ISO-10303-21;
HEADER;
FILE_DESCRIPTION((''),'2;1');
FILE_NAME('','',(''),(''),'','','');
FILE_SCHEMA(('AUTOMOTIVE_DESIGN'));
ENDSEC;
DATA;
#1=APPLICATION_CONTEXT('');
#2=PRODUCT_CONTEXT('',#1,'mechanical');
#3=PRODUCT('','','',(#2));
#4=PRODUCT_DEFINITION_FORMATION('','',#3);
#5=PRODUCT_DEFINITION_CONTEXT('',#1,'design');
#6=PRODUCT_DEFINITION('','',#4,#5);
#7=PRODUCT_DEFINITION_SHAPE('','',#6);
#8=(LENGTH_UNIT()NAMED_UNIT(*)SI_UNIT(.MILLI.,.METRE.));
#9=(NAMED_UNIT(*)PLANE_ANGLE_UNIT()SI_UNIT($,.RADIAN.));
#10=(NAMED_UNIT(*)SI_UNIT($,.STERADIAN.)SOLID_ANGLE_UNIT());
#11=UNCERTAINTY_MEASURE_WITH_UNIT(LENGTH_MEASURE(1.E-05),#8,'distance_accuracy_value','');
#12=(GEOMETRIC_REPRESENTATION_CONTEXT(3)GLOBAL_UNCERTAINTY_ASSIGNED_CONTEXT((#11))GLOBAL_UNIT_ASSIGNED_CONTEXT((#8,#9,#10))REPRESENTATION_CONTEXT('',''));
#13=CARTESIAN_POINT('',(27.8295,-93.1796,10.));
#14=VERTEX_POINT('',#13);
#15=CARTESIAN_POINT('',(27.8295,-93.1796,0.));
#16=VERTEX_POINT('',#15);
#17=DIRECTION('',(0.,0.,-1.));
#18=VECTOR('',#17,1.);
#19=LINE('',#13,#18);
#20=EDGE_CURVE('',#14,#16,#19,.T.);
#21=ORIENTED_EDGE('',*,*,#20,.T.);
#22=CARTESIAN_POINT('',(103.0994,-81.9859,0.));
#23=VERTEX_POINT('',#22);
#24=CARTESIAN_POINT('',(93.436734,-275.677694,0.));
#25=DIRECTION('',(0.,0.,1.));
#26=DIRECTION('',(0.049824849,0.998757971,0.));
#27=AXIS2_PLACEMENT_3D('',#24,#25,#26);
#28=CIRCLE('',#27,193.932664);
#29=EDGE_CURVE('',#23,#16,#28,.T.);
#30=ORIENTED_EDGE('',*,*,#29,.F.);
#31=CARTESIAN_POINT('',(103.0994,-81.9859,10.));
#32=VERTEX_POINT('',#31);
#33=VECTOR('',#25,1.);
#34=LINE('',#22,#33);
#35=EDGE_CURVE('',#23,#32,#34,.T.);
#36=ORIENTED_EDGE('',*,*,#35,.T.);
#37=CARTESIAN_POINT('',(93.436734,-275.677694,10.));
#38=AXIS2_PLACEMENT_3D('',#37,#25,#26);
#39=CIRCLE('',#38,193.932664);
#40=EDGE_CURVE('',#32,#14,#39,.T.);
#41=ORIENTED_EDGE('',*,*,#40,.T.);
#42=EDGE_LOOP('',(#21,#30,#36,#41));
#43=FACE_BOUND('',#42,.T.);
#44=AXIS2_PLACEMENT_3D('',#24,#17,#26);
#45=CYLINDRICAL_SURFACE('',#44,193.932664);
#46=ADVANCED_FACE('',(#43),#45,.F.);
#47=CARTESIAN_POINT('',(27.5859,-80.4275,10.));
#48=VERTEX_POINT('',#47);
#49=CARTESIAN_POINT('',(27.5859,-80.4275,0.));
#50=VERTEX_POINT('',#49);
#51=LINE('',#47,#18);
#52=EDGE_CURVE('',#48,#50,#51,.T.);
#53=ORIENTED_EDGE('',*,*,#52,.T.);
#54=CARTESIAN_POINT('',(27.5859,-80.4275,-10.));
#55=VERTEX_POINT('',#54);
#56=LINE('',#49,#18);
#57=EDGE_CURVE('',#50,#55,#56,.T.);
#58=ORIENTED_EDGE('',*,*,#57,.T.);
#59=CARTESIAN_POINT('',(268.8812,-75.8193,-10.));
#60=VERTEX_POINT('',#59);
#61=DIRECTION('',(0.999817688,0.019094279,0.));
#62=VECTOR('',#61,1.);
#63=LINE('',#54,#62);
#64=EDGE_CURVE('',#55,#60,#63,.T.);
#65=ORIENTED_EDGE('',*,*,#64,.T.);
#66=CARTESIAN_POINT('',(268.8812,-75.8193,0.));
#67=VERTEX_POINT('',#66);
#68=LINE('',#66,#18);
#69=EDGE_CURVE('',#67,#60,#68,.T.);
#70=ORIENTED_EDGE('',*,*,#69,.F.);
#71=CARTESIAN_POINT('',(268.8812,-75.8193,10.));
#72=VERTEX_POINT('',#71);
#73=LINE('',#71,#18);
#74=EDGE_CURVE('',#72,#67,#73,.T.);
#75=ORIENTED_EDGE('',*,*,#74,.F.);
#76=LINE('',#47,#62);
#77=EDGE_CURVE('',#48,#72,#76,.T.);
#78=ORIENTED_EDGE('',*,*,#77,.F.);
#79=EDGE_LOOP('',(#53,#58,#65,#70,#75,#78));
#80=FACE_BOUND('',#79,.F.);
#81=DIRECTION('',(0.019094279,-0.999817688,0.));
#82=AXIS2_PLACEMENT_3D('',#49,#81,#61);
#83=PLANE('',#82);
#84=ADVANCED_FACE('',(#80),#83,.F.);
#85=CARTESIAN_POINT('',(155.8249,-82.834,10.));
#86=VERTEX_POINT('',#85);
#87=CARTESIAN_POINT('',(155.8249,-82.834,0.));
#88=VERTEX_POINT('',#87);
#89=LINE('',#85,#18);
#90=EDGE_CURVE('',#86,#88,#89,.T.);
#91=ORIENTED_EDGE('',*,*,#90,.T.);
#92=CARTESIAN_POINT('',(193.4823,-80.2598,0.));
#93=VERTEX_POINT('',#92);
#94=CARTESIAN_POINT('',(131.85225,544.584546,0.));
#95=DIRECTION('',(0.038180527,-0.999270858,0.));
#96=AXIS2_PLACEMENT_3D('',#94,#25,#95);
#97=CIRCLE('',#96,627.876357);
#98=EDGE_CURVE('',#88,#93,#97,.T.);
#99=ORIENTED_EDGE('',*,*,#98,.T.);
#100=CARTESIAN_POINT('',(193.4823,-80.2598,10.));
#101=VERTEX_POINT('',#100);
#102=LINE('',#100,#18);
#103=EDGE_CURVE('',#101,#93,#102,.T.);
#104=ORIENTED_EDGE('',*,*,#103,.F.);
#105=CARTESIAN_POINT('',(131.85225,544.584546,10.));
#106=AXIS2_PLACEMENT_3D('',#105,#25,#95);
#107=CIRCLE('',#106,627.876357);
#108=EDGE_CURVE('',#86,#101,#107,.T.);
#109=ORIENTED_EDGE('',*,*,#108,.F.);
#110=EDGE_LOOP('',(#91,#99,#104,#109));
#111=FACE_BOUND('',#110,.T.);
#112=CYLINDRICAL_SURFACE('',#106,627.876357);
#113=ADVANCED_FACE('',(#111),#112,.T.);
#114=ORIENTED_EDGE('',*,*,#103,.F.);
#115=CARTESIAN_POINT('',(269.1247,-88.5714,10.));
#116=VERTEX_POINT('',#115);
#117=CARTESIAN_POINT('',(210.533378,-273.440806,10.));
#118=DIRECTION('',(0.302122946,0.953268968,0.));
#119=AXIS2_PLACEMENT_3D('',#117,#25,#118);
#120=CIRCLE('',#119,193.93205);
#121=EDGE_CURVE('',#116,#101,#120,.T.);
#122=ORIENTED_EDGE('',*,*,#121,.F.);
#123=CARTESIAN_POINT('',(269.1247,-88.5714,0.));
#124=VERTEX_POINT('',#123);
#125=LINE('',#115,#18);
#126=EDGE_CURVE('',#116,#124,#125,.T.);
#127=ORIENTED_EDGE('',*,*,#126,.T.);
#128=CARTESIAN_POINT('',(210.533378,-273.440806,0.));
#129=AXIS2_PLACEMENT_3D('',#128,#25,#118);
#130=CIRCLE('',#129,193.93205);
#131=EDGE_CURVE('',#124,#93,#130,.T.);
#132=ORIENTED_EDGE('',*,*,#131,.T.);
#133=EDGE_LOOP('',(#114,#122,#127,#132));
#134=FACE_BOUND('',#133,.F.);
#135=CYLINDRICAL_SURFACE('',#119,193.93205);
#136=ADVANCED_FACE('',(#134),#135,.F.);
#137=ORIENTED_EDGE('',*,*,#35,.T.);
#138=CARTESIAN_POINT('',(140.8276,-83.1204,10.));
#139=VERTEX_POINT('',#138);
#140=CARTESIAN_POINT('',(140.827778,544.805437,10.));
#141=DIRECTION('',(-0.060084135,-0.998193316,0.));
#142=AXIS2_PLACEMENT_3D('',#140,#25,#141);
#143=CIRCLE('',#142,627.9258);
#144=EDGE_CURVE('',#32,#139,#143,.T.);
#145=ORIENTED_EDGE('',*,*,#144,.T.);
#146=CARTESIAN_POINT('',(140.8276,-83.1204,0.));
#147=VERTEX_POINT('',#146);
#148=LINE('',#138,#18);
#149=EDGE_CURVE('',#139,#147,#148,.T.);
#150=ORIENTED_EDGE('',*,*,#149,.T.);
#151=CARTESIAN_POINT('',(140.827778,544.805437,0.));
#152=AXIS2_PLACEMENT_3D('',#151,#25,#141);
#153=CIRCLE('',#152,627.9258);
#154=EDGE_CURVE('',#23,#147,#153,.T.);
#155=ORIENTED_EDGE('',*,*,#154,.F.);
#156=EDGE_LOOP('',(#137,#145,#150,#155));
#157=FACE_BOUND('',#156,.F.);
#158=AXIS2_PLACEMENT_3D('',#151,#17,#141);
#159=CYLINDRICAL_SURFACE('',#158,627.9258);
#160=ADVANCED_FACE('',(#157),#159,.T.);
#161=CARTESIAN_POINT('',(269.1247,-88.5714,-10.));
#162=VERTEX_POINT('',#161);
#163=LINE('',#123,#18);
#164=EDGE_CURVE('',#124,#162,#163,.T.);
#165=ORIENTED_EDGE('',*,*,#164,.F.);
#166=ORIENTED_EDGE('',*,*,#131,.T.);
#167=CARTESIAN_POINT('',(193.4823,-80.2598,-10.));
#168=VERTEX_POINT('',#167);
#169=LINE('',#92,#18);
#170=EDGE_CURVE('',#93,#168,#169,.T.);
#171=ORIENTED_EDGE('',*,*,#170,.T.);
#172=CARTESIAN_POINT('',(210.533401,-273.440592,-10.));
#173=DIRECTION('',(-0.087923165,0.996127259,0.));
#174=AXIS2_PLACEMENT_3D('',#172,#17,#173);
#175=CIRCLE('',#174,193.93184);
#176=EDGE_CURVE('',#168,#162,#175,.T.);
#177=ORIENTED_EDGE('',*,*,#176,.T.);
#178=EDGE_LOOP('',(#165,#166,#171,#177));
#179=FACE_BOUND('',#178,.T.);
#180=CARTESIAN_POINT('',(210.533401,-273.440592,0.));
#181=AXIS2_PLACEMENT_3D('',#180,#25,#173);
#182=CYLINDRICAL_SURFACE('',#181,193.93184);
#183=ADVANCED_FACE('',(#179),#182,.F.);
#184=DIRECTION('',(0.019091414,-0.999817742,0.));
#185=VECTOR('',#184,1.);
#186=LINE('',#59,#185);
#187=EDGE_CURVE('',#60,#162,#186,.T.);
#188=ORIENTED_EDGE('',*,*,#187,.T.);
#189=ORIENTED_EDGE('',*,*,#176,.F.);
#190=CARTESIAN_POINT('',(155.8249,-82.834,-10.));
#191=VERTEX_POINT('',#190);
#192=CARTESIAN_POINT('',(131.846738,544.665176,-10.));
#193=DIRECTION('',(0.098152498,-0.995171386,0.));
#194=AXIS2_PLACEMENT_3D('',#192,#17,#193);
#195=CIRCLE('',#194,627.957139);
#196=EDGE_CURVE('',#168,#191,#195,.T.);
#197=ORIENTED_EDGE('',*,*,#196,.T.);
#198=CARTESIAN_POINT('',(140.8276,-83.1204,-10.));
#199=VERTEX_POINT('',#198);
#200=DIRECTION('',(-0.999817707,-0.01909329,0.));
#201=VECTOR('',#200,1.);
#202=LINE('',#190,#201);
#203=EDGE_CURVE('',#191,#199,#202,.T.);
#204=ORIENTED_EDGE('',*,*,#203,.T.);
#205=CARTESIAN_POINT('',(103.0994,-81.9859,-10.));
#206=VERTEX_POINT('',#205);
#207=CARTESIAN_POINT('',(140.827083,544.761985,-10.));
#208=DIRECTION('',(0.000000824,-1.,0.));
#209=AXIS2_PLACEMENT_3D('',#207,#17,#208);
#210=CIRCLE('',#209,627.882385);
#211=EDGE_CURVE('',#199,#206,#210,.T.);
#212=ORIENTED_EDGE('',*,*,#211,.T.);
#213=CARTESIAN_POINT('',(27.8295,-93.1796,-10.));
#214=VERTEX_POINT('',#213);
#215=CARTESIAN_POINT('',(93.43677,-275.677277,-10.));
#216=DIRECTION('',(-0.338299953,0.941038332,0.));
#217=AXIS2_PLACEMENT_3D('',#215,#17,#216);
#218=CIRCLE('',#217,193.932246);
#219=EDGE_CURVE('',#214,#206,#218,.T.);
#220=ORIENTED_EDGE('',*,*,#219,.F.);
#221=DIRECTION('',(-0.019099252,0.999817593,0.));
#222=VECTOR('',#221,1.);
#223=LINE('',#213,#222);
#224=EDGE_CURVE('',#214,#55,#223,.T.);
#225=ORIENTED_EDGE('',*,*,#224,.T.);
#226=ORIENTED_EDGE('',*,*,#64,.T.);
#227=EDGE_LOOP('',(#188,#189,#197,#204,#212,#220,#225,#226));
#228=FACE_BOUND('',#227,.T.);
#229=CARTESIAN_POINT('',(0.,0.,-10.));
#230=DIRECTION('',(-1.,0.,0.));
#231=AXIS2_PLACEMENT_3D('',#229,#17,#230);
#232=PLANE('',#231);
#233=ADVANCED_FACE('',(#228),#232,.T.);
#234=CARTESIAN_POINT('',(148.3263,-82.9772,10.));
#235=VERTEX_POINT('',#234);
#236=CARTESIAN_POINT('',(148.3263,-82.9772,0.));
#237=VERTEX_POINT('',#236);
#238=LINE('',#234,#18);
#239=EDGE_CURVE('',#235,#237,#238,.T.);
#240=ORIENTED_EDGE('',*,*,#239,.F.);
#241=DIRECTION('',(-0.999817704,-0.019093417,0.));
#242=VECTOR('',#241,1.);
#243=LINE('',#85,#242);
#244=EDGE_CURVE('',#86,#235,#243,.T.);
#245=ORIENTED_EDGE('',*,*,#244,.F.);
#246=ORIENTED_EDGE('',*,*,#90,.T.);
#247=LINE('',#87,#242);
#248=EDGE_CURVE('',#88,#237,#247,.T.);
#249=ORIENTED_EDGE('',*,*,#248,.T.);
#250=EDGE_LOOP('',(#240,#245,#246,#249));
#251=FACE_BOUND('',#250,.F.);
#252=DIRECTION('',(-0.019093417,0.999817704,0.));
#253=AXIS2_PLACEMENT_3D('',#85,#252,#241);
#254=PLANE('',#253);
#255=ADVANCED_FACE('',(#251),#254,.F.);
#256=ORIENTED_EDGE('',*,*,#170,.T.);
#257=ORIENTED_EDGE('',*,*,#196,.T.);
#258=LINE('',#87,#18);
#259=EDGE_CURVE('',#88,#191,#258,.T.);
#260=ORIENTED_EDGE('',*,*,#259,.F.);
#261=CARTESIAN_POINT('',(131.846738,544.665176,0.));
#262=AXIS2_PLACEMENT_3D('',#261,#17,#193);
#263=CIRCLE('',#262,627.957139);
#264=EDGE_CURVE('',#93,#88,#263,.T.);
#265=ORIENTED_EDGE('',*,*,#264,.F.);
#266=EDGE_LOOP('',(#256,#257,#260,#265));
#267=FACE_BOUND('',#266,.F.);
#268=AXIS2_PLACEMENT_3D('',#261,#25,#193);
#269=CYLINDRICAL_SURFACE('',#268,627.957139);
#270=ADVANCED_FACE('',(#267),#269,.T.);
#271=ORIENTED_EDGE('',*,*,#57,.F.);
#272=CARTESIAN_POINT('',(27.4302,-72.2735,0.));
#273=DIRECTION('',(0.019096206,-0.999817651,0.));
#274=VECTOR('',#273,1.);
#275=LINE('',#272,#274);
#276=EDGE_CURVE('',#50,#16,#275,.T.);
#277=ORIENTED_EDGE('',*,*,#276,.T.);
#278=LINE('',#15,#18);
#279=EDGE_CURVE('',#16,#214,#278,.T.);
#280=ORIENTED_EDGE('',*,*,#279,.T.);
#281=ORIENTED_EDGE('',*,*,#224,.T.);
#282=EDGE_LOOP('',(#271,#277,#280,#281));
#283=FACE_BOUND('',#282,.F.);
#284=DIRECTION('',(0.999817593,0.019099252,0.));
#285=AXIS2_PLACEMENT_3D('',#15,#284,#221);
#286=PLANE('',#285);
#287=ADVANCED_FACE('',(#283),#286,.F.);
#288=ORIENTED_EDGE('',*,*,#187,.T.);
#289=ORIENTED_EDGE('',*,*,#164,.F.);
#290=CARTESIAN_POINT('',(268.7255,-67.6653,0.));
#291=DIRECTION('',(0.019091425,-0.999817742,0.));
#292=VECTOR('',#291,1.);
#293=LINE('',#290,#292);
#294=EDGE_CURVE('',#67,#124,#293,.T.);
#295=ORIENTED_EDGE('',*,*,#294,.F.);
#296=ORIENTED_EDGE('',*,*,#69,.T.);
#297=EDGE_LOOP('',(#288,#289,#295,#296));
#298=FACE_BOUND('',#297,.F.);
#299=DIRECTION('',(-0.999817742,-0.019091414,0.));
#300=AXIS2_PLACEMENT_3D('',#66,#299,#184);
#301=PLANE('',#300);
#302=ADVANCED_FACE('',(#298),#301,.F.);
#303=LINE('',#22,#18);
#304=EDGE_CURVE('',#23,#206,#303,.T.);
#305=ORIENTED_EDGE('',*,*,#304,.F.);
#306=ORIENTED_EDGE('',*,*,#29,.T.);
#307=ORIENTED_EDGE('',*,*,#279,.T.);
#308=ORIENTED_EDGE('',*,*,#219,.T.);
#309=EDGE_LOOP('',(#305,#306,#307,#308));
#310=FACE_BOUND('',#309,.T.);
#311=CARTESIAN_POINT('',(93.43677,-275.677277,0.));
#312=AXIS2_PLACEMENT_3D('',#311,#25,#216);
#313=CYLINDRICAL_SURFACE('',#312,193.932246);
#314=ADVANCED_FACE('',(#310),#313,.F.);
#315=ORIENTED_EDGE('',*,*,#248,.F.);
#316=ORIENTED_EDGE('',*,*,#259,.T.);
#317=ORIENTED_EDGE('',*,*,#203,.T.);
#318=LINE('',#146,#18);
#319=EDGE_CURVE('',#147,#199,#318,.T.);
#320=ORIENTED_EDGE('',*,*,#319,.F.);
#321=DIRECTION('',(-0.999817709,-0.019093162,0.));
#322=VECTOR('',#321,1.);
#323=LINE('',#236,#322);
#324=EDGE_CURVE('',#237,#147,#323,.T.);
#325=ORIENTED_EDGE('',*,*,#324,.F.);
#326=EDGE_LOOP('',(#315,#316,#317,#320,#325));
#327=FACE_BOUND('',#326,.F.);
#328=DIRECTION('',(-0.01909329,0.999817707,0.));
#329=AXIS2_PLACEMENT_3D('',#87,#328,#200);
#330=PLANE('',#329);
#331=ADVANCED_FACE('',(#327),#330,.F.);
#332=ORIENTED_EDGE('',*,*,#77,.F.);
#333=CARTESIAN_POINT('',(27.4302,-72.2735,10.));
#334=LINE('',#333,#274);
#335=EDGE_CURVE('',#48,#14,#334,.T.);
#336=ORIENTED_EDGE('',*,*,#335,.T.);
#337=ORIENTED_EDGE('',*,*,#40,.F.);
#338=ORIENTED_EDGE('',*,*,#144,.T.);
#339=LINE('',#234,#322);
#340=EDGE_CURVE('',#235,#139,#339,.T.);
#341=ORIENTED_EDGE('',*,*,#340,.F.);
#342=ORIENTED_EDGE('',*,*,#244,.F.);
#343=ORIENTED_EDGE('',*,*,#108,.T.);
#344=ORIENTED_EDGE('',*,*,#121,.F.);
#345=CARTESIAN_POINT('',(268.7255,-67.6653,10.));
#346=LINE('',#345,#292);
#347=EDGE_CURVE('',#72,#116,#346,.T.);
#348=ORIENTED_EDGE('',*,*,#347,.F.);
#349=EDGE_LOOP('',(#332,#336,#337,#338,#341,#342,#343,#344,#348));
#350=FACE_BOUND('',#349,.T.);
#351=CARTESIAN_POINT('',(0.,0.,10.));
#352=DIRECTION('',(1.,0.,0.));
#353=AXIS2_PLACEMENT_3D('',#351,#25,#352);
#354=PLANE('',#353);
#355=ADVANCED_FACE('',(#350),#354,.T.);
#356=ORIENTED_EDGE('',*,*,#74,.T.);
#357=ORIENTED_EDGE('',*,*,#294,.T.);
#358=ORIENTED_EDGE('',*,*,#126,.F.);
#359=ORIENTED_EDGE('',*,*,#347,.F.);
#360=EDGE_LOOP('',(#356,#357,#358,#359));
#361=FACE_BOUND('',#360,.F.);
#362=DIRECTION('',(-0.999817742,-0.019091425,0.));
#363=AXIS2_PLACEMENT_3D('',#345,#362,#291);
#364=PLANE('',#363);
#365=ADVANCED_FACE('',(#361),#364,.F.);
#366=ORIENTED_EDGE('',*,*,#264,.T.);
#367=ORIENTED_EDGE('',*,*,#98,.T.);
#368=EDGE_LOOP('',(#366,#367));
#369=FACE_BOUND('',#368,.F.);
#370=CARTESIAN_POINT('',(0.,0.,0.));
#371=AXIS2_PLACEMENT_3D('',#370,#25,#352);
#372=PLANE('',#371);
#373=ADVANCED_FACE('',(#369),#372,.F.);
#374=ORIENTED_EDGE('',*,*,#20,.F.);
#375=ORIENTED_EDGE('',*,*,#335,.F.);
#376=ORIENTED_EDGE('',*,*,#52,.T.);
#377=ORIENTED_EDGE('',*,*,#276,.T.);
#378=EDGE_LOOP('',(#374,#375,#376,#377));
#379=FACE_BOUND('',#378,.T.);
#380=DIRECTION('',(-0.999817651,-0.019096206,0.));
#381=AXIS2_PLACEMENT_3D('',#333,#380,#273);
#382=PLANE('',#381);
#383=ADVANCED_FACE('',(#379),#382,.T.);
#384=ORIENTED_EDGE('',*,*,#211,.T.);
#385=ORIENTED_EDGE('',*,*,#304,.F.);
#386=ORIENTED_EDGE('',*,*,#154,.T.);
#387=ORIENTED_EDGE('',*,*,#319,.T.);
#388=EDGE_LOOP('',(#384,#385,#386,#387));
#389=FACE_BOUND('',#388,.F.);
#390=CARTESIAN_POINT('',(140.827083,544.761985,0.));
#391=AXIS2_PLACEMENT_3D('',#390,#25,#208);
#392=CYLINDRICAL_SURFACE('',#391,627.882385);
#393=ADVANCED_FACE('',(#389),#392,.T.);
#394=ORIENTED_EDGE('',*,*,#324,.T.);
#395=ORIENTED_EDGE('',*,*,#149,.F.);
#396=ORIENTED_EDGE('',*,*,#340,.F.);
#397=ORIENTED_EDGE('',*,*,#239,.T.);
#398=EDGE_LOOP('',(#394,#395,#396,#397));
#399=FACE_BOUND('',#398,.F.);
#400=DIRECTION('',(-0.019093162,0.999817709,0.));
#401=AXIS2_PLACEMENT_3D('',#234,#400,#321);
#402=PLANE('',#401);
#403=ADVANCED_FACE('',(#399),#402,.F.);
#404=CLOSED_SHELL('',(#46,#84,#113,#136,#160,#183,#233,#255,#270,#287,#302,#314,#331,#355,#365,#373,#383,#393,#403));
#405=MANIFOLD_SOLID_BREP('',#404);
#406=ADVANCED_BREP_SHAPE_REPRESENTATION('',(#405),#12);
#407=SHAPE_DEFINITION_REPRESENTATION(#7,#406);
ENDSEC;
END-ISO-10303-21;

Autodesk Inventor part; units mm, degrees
ref_plane "YZ Plane" through (0, 0, 0) normal (1, 0, 0) x (0, 1, 0)
ref_plane "XZ Plane" through (0, 0, 0) normal (0, 1, 0) x (-1, 0, 0)
ref_plane "XY Plane" through (0, 0, 0) normal (0, 0, 1) x (1, 0, 0)
sketch "Sketch1" plane through (0, 0, 0) normal (0, 0, 1) x (1, 0, 0)
  line L0 (0, 0) -> (293.4944, 0) construction
  line L1 (293.4944, 0) -> (293.4944, -132.0217) construction
  line L2 (293.4944, -132.0217) -> (0, -132.0217) construction
  line L3 (0, -132.0217) -> (0, 0) construction
  line L4 (79.3681, -56.3049) -> (159.3681, -56.3049) construction
  line L5 (283.1562, -93.1287) -> (274.2161, -88.6482) construction
  line L6 (283.1562, -93.1287) -> (282.3201, -93.1287) construction
  line L7 (18.3483, -97.5091) -> (27.4302, -93.3236) construction
  line L8 (18.3483, -97.5091) -> (20.5956, -97.5091) construction
  arc A0 (103.0994, -81.9859) -> (27.4302, -93.3236) centre (93.4367, -275.677) ccw
  arc A1 (274.2161, -88.6482) -> (204.4098, -79.893) centre (217.7822, -255.937) ccw
  arc A2 (103.0994, -81.9859) -> (204.4098, -79.893) centre (140.8276, 544.7964) ccw
  line L9 (27.4302, -93.3236) -> (27.4302, -72.2735)
  line L10 (27.4302, -72.2735) -> (272.6166, -67.591)
  line L11 (272.6166, -67.591) -> (274.2161, -88.6482)
  line L12 (103.0994, -81.9859) -> (86.3195, -71.1488) construction
  line L13 (204.4098, -79.893) -> (220.9707, -68.5773) construction
  line L14 (86.3195, -71.1488) -> (86.3195, -81.1488) construction
  line L15 (86.3195, -81.1488) -> (103.0994, -81.9859) construction
  line L16 (220.9707, -68.5773) -> (221.7303, -78.5773) construction
  line L17 (221.7303, -78.5773) -> (204.4098, -79.893) construction
  dimension "d5" = 80
  dimension "d85" = 10
  dimension "d87" = 26.619
  dimension "d92" = 10
  dimension "d94" = 24.743
  dimension "d100" = 22.985
  dimension "d101" = 22.755
  dimension "d106" = 10
  dimension "d111" = 10
  dimension "d112" = 30
  dimension "d113" = 30
extrude "Extrusion1" add sketch "Sketch1" along normal blind 10
sketch "Sketch2" plane through (0, 0, 10) normal (0, 0, 1) x (1, 0, 0)
  arc A0 (103.0994, -81.9859) -> (204.4098, -79.893) centre (140.8276, 544.7964) ccw projected
  line L0 (272.6166, -67.591) -> (27.4302, -72.2735) projected
  line L1 (27.4302, -72.2735) -> (27.4302, -93.3236) projected
  line L2 (274.2161, -88.6482) -> (272.6166, -67.591) projected
  line L3 (125.3768, -83.1204) -> (158.7723, -83.1204)
  line L4 (140.8276, -83.1204) -> (140.8276, -70.1078)
  line L5 (140.8276, -76.6141) -> (27.4302, -76.6141)
  line L6 (140.8276, -76.6141) -> (273.302, -76.6141)
  arc A1 (274.2161, -88.6482) -> (204.4098, -79.893) centre (217.7822, -255.937) ccw projected
  line L7 (274.2161, -88.6482) -> (272.6166, -67.591) projected
  line L8 (272.6166, -67.591) -> (27.4302, -72.2735) projected
  line L9 (27.4302, -72.2735) -> (27.4302, -93.3236) projected
  arc A2 (103.0994, -81.9859) -> (27.4302, -93.3236) centre (93.4367, -275.677) ccw projected
  arc A3 (103.0994, -81.9859) -> (204.4098, -79.893) centre (140.8276, 544.7964) ccw projected
  line L10 (140.8276, -83.1204) -> (140.4575, -63.7401)
  point P0 (0, 0)
  point P1 (204.4098, -79.893)
  point P2 (140.5792, -70.1126)
  point P3 (140.7034, -76.6141)
  dimension "d121" = 113.3974
  dimension "d122" = 132.4743
extrude "Extrusion2" cut sketch "Sketch2" against normal blind 10 contours L4 L6 L2 A1 A0 | L10 L5 L4 | L5 L10 L0 L4 | L4 L0 L2 L6
sketch "Sketch4" plane through (0, 0, 10) normal (0, 0, 1) x (1, 0, 0)
  line L0 (140.5792, -70.1126) -> (27.4302, -72.2735) projected
  line L1 (27.4302, -72.2735) -> (27.4302, -93.3236) projected
  arc A0 (103.0994, -81.9859) -> (27.4302, -93.3236) centre (93.4367, -275.677) ccw projected
  arc A1 (103.0994, -81.9859) -> (140.8276, -83.1204) centre (140.8276, 544.7964) ccw projected
  line L2 (27.4302, -72.2735) -> (27.4302, -93.3236) projected
  arc A2 (103.0994, -81.9859) -> (27.4302, -93.3236) centre (93.4367, -275.677) ccw projected
  line L3 (27.4302, -72.2735) -> (27.8295, -93.1796)
  line L4 (140.8276, -83.1204) -> (140.5792, -70.1126) projected
  point P0 (0, 0)
  point P1 (253.7282, -67.9517)
  dimension "d128" = 90
extrude "Extrusion4" cut sketch "Sketch4" against normal blind 10 contours L3 A0 L1
sketch "Sketch6" plane through (0, 0, 10) normal (0, 0, 1) x (1, 0, 0)
  line L0 (27.4302, -72.2735) -> (27.8295, -93.1796) projected
  arc A0 (103.0994, -81.9859) -> (27.8295, -93.1796) centre (93.4367, -275.677) ccw projected
  arc A1 (103.0994, -81.9859) -> (140.8276, -83.1204) centre (140.8276, 544.7964) ccw projected
  line L1 (140.8276, -83.1204) -> (140.5792, -70.1126) projected
  line L2 (140.5792, -70.1126) -> (27.4302, -72.2735) projected
  line L3 (140.5792, -70.1126) -> (27.4302, -72.2735) projected
  line L4 (140.5792, -70.1126) -> (148.0778, -69.9694)
  line L5 (148.0778, -69.9694) -> (148.3263, -82.9772)
  line L6 (140.5792, -70.1126) -> (140.8276, -83.1204) projected
  line L7 (148.3263, -82.9772) -> (140.8276, -83.1204)
  point P0 (0, 0)
  dimension "d131" = 7.5
  dimension "d132" = 0
  dimension "d135" = 180
extrude "Extrusion5" add sketch "Sketch6" against normal blind 10 contours L4 L5 L7 L1
sketch "Sketch7" plane through (0, 0, 10) normal (0, 0, 1) x (1, 0, 0)
  line L0 (27.4302, -72.2735) -> (27.8295, -93.1796) projected
  arc A0 (103.0994, -81.9859) -> (27.8295, -93.1796) centre (93.4367, -275.677) ccw projected
  arc A1 (103.0994, -81.9859) -> (140.8276, -83.1204) centre (140.8276, 544.7964) ccw projected
  line L1 (140.8276, -83.1204) -> (148.3263, -82.9772) projected
  line L2 (148.3263, -82.9772) -> (148.0778, -69.9694) projected
  line L3 (148.0778, -69.9694) -> (27.4302, -72.2735) projected
  line L4 (268.7255, -67.6653) -> (269.1247, -88.5714)
  arc A2 (269.1247, -88.5714) -> (193.4823, -80.2598) centre (210.5334, -273.4407) ccw
  arc A3 (155.8249, -82.834) -> (193.4823, -80.2598) centre (131.8501, 544.6249) ccw
  line L5 (155.8249, -82.834) -> (148.3263, -82.9772)
  line L6 (148.0778, -69.9694) -> (268.7255, -67.6653)
  point P0 (0, 0)
extrude "Extrusion6" add sketch "Sketch7" against normal blind 10 contours L6 L4 A2 A3 L5 L2
sketch "Sketch8" plane through (0, 0, 10) normal (0, 0, 1) x (1, 0, 0)
  line L0 (27.4302, -72.2735) -> (27.8295, -93.1796) projected
  arc A0 (103.0994, -81.9859) -> (27.8295, -93.1796) centre (93.4367, -275.677) ccw projected
  arc A1 (103.0994, -81.9859) -> (140.8276, -83.1204) centre (140.8276, 544.7964) ccw projected
  line L1 (140.8276, -83.1204) -> (155.8249, -82.834) projected
  arc A2 (155.8249, -82.834) -> (193.4823, -80.2598) centre (131.8501, 544.6249) ccw projected
  arc A3 (269.1247, -88.5714) -> (193.4823, -80.2598) centre (210.5334, -273.4407) ccw projected
  line L2 (269.1247, -88.5714) -> (268.7255, -67.6653) projected
  line L3 (268.7255, -67.6653) -> (27.4302, -72.2735) projected
  line L4 (27.8295, -93.1796) -> (27.4302, -72.2735) projected
  line L5 (268.7255, -67.6653) -> (269.1247, -88.5714) projected
  line L6 (27.5859, -80.4275) -> (268.8812, -75.8193)
  point P0 (0, 0)
  dimension "d138" = 3
extrude "Extrusion7" cut sketch "Sketch8" against normal blind 10 contours L3 L2 L6 L0
sketch "Sketch9" plane through (0, 0, 0) normal (0, 0, -1) x (-1, 0, 0)
  line L0 (-27.5859, -80.4275) -> (-268.8812, -75.8193) projected
  line L1 (-268.8812, -75.8193) -> (-269.1247, -88.5714) projected
  arc A0 (-193.4823, -80.2598) -> (-269.1247, -88.5714) centre (-210.5334, -273.4407) ccw projected
  arc A1 (-193.4823, -80.2598) -> (-155.8249, -82.834) centre (-131.8501, 544.6249) ccw projected
  line L2 (-155.8249, -82.834) -> (-140.8276, -83.1204) projected
  arc A2 (-140.8276, -83.1204) -> (-103.0994, -81.9859) centre (-140.8276, 544.7964) ccw projected
  arc A3 (-27.8295, -93.1796) -> (-103.0994, -81.9859) centre (-93.4367, -275.677) ccw projected
  line L3 (-27.8295, -93.1796) -> (-27.5859, -80.4275) projected
  point P0 (0, 0)
extrude "Extrusion8" add sketch "Sketch9" along normal blind 10
equation "\"d111\" = d106"
equation "\"d113\" = d112"
properties part number "deseczka_dol_check - 6"
